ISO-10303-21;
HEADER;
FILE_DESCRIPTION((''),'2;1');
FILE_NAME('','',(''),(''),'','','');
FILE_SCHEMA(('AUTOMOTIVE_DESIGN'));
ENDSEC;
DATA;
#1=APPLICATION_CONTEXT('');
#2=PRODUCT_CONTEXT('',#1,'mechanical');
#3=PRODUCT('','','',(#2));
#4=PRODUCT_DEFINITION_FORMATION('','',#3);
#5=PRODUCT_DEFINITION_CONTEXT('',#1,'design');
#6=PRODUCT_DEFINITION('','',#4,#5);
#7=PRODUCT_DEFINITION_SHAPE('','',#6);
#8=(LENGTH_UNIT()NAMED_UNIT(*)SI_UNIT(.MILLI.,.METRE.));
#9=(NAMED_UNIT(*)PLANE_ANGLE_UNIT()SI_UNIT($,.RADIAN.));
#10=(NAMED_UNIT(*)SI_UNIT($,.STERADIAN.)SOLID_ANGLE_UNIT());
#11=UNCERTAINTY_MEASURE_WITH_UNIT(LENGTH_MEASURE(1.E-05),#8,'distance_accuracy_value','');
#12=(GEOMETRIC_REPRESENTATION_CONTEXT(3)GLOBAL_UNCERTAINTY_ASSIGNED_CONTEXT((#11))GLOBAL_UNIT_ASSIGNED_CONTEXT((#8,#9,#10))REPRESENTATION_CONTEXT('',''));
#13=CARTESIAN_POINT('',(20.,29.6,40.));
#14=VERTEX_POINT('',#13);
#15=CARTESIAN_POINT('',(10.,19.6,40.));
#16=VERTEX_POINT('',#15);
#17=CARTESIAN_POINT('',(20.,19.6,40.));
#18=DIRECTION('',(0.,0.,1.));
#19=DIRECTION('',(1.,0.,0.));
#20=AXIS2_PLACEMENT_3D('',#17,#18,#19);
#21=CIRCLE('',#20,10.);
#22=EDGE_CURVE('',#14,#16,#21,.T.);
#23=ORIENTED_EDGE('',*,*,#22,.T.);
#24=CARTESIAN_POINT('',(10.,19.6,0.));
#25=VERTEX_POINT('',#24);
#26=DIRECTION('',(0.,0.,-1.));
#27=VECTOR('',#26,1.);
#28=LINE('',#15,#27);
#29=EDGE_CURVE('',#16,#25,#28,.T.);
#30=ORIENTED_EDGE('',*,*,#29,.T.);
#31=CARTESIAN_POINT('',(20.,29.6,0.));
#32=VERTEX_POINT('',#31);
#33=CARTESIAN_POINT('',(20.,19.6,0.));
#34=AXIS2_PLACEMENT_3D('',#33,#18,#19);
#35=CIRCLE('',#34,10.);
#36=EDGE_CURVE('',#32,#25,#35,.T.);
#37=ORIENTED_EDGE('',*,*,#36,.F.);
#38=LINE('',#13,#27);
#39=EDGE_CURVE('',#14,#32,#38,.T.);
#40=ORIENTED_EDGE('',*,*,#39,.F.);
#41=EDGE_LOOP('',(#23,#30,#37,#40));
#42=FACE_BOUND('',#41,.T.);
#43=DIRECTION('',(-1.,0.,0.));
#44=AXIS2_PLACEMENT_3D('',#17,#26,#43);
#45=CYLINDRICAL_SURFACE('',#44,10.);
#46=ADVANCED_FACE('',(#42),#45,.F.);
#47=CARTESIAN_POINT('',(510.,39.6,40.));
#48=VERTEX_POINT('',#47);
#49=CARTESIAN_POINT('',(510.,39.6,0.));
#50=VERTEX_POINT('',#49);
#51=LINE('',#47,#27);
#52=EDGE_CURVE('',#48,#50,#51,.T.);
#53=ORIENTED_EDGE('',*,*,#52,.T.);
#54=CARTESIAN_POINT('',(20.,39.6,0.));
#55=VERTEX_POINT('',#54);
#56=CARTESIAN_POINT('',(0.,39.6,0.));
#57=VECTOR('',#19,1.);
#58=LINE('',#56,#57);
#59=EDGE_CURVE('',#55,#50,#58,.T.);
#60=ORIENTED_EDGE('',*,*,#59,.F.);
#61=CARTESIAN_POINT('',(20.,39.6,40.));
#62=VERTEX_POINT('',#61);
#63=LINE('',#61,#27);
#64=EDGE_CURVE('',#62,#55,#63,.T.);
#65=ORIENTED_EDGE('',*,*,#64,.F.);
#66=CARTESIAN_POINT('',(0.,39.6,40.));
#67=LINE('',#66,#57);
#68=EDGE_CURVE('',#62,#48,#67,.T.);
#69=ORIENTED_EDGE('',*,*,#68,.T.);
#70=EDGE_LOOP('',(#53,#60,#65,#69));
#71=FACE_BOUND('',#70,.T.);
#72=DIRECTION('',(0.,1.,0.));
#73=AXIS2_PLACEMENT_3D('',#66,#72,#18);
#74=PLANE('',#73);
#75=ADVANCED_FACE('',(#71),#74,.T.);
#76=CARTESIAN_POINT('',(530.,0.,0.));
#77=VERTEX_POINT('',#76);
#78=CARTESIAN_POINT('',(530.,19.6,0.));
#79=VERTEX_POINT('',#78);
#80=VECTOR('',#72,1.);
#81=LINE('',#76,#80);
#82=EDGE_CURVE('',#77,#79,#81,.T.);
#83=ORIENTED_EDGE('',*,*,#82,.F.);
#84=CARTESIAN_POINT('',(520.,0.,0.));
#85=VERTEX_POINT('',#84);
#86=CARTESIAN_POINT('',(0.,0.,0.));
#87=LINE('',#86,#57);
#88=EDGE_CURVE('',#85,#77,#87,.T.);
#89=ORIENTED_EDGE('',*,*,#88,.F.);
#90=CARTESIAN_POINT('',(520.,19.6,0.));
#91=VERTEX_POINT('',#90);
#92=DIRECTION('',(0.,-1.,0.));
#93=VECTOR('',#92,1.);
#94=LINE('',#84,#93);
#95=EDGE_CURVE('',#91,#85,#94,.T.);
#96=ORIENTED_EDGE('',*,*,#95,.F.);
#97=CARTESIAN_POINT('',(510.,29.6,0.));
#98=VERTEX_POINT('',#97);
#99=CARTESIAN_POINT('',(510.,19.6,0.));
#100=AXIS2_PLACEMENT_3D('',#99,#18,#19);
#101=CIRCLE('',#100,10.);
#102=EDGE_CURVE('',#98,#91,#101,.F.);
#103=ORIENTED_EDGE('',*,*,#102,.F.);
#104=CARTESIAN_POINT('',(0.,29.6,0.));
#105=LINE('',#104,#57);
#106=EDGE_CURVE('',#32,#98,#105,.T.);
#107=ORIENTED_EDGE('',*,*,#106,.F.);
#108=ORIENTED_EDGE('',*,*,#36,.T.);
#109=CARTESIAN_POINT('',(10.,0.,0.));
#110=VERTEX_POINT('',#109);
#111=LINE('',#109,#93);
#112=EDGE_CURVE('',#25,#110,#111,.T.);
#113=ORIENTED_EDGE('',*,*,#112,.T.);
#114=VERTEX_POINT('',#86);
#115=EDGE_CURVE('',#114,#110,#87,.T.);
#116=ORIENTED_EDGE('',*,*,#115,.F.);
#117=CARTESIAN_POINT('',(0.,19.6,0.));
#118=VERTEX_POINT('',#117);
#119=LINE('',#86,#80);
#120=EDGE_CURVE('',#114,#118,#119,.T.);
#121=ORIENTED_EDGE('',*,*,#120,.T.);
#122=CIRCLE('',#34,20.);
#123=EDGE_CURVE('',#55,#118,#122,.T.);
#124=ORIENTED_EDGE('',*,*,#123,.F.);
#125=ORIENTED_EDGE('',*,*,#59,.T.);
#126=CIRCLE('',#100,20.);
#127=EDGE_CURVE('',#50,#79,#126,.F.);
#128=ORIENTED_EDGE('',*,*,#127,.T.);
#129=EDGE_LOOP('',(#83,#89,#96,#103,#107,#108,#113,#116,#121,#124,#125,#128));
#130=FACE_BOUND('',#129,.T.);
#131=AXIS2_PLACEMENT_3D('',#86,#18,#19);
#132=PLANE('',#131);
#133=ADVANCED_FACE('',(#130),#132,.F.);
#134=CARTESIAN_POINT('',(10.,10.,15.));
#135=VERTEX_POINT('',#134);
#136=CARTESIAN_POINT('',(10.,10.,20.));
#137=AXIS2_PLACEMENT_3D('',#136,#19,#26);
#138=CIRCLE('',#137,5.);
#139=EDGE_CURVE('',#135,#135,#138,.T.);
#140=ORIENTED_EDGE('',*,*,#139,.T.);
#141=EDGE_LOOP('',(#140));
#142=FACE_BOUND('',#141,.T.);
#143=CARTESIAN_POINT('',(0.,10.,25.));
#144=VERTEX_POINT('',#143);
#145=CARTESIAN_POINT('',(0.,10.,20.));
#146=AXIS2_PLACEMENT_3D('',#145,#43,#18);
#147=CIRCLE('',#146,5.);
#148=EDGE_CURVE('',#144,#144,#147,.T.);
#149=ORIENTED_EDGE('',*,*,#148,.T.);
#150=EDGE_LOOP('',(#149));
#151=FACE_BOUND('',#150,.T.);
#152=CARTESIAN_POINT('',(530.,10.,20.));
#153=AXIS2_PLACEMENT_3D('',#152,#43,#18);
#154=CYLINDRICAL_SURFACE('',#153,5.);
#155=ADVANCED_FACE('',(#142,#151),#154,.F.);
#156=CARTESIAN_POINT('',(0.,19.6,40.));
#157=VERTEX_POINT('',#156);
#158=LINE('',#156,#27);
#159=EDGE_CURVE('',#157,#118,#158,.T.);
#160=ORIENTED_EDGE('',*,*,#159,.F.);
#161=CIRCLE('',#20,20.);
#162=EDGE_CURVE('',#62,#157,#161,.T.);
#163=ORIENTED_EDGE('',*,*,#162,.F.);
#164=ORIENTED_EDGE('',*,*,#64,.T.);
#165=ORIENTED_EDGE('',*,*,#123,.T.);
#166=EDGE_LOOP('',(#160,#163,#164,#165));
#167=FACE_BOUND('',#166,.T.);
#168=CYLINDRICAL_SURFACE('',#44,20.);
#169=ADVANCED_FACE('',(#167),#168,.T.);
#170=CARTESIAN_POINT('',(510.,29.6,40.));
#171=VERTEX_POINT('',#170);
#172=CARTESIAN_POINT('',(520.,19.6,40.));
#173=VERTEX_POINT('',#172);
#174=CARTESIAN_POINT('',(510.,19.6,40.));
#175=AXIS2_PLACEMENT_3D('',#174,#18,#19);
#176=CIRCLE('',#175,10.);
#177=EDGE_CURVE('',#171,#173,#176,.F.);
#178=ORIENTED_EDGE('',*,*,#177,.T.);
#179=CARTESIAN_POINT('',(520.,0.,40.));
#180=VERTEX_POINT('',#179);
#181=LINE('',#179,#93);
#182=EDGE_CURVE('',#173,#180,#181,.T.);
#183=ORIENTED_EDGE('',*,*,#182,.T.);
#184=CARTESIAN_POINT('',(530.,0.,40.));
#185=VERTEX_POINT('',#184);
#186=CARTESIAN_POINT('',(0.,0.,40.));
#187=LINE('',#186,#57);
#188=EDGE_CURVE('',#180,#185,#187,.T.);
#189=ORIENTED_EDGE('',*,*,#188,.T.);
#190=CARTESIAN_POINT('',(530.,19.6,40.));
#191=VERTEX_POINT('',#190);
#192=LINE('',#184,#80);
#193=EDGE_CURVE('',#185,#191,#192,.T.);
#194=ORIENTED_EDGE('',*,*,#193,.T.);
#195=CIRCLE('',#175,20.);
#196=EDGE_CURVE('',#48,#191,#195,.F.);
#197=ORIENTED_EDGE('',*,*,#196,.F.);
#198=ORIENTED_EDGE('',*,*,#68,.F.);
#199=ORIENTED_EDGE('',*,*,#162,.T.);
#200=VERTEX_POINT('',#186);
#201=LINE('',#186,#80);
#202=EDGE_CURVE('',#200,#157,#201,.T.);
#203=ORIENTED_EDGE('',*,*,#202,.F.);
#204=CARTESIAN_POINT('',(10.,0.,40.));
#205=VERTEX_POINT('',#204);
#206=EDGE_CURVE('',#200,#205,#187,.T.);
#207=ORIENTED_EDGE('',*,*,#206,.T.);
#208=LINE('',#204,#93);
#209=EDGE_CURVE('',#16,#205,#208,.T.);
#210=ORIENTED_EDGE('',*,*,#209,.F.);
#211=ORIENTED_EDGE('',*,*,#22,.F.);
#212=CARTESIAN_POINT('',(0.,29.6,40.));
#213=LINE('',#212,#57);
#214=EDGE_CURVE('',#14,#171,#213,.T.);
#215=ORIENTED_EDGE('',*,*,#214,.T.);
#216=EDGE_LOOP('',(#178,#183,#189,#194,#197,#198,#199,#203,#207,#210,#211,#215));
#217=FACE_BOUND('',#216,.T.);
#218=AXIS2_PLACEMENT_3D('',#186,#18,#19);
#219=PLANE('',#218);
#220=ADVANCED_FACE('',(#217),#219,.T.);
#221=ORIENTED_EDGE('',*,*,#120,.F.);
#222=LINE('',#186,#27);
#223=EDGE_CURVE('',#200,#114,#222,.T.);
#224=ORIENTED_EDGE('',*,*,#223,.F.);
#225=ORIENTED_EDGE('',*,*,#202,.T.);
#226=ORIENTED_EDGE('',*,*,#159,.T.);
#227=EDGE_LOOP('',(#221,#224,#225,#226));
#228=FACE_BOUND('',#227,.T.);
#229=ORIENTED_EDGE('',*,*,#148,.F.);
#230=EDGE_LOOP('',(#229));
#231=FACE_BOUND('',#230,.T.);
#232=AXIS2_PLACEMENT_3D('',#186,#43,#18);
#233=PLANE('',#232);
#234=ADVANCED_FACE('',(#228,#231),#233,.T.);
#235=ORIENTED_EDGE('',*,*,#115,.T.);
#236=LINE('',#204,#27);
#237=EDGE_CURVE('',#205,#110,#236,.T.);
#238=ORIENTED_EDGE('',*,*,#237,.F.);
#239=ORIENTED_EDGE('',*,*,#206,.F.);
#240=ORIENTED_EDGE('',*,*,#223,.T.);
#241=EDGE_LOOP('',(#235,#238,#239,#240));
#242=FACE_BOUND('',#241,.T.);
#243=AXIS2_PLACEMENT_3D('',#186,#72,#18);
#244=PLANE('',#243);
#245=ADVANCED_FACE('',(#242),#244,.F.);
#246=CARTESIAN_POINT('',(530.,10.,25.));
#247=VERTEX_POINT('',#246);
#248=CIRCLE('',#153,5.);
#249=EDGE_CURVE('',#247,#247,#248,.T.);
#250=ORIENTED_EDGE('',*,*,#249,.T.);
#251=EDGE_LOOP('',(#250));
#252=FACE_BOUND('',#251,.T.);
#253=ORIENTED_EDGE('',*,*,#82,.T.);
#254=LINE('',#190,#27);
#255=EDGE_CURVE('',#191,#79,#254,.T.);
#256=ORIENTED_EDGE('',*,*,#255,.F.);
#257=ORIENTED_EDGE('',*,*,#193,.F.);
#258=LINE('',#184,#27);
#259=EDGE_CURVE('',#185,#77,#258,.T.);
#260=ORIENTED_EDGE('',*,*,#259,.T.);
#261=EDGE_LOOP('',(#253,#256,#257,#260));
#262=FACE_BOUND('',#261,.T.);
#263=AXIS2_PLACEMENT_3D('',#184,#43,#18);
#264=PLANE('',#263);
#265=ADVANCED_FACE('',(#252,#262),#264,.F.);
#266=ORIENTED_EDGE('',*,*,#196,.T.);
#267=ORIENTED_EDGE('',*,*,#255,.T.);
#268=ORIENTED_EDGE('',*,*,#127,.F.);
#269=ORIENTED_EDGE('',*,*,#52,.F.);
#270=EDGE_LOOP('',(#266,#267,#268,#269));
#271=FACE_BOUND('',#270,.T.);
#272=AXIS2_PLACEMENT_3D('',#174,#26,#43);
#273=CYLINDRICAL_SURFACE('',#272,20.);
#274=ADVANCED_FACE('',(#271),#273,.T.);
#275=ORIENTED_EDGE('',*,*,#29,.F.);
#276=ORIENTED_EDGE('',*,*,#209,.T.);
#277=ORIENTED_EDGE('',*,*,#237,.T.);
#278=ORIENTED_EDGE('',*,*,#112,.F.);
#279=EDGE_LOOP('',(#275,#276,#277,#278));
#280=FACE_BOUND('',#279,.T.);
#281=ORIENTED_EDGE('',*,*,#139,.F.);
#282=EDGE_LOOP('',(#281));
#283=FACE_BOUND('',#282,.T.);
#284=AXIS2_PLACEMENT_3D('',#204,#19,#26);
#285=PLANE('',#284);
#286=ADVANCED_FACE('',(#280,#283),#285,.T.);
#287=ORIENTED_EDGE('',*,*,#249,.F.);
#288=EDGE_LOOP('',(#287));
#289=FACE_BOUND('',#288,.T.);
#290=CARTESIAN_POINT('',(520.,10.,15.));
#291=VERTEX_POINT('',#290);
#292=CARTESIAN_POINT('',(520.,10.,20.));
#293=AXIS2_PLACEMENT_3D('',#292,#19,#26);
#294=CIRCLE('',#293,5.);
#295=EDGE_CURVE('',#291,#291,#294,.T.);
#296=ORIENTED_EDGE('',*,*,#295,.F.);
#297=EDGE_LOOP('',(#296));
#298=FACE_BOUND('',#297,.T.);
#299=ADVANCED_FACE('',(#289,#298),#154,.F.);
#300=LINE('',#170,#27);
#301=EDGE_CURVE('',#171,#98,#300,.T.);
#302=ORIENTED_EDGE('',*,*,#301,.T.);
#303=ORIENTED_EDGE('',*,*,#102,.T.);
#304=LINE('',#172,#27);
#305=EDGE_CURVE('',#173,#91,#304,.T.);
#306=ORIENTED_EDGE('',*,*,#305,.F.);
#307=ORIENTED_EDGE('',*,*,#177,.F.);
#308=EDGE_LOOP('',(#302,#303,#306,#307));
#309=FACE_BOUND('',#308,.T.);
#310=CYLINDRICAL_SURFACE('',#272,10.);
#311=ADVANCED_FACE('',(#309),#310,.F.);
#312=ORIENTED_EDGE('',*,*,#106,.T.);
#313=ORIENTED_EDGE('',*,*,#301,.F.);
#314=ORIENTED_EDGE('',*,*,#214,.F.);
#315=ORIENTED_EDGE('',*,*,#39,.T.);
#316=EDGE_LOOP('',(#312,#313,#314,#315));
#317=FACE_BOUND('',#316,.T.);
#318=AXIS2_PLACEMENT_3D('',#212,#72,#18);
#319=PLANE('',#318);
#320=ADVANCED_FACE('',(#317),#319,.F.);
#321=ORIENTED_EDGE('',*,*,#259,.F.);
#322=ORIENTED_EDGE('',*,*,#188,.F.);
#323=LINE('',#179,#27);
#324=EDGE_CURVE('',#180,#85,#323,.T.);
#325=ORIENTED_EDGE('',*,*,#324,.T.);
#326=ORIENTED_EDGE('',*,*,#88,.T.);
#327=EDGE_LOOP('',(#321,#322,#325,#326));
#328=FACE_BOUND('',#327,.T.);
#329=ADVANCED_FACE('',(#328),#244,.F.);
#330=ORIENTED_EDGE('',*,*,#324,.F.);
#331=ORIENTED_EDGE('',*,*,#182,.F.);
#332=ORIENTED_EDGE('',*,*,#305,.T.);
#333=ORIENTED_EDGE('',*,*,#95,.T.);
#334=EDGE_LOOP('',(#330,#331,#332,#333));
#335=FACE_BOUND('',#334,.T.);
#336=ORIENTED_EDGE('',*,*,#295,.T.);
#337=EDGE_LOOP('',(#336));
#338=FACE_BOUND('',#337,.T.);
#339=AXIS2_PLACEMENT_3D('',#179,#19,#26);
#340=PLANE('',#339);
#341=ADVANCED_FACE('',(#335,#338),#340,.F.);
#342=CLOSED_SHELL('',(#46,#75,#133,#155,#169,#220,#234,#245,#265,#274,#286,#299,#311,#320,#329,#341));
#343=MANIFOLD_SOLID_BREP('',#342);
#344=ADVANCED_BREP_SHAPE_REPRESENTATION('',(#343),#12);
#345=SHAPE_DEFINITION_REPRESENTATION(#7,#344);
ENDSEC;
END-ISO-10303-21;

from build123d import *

# Parameters (mm, degrees)
BOSS_EXTRUDE2_DEPTH = 40
SKETCH3_R           = 5
CUT_EXTRUDE1_DEPTH  = 533.980449923


with BuildPart() as part:
    # Sketch1 → Boss-Extrude2 (new body)
    with BuildSketch(Plane.XY):
        with BuildLine():
            Line((20, 29.6), (510, 29.6))
            ThreePointArc((510, 29.6), (517.071067812, 26.671067812), (520, 19.6))
            Line((520, 19.6), (520, 0))
            Line((520, 0), (530, 0))
            Line((530, 0), (530, 19.6))
            ThreePointArc((530, 19.6), (524.142135624, 33.742135624), (510, 39.6))
            Line((510, 39.6), (20, 39.6))
            ThreePointArc((20, 39.6), (5.857864376, 33.742135624), (0, 19.6))
            Line((0, 19.6), (0, 0))
            Line((0, 0), (10, 0))
            Line((10, 0), (10, 19.6))
            ThreePointArc((10, 19.6), (12.928932188, 26.671067812), (20, 29.6))
        make_face()
    extrude(amount=BOSS_EXTRUDE2_DEPTH)

    # Sketch3 → Cut-Extrude1 (cut, through all)
    with BuildSketch(Plane.ZY):
        with Locations((20, 10)):
            Circle(SKETCH3_R)
    extrude(amount=-CUT_EXTRUDE1_DEPTH, mode=Mode.SUBTRACT)


solid = part.part
